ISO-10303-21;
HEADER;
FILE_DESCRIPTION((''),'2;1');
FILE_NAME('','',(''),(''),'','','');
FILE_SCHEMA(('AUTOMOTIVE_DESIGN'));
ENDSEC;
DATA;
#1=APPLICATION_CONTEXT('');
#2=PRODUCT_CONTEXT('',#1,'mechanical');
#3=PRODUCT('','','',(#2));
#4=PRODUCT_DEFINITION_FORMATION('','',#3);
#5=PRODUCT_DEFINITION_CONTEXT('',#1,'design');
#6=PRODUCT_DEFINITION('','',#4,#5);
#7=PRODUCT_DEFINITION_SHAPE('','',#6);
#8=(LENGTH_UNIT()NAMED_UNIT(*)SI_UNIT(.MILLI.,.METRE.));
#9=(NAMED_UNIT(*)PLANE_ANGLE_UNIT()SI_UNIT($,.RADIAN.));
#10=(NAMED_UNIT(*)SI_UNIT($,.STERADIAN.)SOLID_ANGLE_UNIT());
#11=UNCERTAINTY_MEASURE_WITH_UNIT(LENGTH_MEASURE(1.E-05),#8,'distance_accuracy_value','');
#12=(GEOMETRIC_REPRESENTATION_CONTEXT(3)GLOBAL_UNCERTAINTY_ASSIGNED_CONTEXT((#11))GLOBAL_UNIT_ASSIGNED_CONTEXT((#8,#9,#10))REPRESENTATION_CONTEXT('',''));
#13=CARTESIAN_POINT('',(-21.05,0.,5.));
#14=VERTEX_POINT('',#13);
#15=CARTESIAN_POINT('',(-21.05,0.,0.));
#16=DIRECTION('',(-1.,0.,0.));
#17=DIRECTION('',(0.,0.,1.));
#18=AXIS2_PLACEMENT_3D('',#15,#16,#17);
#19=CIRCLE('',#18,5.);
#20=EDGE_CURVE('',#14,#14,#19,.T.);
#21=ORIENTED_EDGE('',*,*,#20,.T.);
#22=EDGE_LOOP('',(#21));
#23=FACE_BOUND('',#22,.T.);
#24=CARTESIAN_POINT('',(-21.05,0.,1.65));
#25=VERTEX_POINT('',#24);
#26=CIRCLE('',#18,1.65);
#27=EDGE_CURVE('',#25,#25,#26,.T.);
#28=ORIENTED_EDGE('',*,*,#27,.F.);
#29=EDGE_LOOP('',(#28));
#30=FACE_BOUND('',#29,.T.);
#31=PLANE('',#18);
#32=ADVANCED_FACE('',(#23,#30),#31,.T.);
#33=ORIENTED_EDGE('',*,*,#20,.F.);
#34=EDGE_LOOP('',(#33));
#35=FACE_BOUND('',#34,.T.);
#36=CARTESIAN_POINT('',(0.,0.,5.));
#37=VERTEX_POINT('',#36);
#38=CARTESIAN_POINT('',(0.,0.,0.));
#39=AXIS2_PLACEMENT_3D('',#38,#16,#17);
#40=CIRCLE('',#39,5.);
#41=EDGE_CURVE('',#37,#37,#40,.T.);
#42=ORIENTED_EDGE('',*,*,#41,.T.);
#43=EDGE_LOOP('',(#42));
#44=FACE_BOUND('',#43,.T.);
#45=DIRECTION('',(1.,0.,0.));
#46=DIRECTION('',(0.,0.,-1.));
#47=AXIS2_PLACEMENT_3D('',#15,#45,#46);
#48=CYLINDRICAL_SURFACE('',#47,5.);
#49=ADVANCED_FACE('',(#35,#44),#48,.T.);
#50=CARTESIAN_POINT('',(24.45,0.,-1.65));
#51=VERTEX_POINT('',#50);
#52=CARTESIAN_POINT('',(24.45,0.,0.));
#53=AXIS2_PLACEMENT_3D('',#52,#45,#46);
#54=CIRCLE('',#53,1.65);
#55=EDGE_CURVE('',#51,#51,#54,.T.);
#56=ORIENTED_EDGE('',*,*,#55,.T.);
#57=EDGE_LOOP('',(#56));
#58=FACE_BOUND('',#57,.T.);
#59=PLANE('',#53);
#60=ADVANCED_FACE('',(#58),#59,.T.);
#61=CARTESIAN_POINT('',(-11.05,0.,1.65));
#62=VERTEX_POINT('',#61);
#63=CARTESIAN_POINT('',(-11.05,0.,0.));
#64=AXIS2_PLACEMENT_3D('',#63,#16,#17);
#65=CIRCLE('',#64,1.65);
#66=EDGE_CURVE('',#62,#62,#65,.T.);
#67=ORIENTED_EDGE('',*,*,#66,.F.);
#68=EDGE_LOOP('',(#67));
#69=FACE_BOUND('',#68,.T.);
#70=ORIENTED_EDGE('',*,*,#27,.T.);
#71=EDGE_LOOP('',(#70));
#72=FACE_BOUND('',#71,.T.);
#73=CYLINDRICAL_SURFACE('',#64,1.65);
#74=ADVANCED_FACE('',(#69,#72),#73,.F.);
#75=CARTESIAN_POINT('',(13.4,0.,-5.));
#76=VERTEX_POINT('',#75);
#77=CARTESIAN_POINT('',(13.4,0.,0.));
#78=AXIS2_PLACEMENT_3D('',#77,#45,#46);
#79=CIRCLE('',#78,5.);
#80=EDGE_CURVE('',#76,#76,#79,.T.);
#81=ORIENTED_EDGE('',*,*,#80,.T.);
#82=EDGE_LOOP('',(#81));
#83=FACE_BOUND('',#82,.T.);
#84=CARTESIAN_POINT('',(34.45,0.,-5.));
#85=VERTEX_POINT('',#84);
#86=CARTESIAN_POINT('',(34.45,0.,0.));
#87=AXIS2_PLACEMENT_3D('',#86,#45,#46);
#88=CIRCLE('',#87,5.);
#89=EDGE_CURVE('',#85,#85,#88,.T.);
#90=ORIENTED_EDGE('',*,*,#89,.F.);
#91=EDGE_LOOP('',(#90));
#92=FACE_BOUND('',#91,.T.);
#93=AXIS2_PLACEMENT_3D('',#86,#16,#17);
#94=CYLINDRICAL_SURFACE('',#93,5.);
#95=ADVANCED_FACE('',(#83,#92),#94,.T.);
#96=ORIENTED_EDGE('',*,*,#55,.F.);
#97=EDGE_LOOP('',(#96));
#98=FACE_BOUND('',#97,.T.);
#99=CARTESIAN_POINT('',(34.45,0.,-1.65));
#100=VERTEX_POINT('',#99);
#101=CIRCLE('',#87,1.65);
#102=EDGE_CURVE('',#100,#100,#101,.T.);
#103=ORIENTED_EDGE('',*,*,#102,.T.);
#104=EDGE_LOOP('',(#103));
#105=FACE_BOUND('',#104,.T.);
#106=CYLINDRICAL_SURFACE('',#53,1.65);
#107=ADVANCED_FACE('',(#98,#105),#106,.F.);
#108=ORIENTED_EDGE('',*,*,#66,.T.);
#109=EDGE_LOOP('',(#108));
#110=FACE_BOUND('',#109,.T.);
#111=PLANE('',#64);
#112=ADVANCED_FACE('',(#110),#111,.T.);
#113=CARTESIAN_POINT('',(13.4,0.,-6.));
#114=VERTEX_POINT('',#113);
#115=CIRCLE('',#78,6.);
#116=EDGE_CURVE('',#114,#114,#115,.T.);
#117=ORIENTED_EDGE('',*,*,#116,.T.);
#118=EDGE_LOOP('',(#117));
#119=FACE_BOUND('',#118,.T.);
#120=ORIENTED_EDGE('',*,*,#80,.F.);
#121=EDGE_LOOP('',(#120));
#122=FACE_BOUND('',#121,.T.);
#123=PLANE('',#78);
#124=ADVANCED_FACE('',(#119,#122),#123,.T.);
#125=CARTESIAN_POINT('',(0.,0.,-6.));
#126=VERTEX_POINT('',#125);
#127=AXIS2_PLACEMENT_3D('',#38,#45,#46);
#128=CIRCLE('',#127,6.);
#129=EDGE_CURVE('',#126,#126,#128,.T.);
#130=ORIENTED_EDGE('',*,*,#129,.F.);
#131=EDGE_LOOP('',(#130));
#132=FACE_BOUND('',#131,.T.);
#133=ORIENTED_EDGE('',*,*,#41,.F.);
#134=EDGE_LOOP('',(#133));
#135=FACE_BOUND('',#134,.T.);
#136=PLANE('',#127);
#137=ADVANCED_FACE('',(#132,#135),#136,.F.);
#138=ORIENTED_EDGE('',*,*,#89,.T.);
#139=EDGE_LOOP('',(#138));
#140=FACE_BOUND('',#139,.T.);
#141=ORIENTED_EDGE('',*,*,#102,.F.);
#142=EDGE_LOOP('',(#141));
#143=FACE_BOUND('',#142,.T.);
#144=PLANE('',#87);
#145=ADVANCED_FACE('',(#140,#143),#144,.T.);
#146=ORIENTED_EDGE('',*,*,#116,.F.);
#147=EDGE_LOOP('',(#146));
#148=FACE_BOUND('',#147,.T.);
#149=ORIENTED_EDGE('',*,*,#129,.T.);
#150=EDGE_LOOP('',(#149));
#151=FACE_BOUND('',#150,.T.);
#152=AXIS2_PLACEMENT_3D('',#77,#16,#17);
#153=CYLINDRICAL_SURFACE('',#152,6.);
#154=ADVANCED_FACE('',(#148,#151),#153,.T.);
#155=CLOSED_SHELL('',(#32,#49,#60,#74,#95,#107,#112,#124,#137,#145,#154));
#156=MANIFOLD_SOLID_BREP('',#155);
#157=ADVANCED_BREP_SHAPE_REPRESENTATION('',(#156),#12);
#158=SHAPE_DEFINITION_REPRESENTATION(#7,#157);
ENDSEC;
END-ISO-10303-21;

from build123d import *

# Parameters (mm, degrees)
SKETCH_1_R          = 6
EXTRUDE_1_DEPTH     = 13.4
SKETCH_2_R          = 5
EXTRUDE_2_DEPTH     = 21.05
EXTRUDE_START       = 21.05
SKETCH_3_R          = 5
EXTRUDE_3_DEPTH     = 21.05
SKETCH_4_R          = 1.65
CUT_EXTRUDE_1_DEPTH = 10
CUT_EXTRUDE_START   = -10
SKETCH_5_R          = 1.65
CUT_EXTRUDE_2_DEPTH = 10


with BuildPart() as part:
    # ｽｹｯﾁ1 → ﾎﾞｽ - 押し出し1 (new body)
    with BuildSketch(Plane(origin=(0, 0, 0), x_dir=(0, 0, -1), z_dir=(1, 0, 0))):
        Circle(SKETCH_1_R)
    extrude(amount=EXTRUDE_1_DEPTH)

    # ｽｹｯﾁ2 → ﾎﾞｽ - 押し出し2 (add)
    with BuildSketch(Plane(origin=(13.4, 0, 0), x_dir=(0, 0, -1), z_dir=(1, 0, 0))):
        Circle(SKETCH_2_R)
    extrude(amount=EXTRUDE_2_DEPTH)

    # ｽｹｯﾁ3 → ﾎﾞｽ - 押し出し3 (add)
    with BuildSketch(Plane.ZY.offset(EXTRUDE_START)):
        with Locations(Location((0, 0, 0), (0, 0, 180))):
            Circle(SKETCH_3_R)
    extrude(amount=-EXTRUDE_3_DEPTH)

    # ｽｹｯﾁ4 → ｶｯﾄ - 押し出し1 (cut)
    with BuildSketch(Plane(origin=(34.45, 0, 0), x_dir=(0, 0, -1), z_dir=(1, 0, 0))):
        Circle(SKETCH_4_R)
    extrude(amount=-CUT_EXTRUDE_1_DEPTH, mode=Mode.SUBTRACT)

    # ｽｹｯﾁ5 → ｶｯﾄ - 押し出し2 (cut)
    with BuildSketch(Plane.ZY.offset(21.05).offset(CUT_EXTRUDE_START)):
        with Locations(Location((0, 0, 0), (0, 0, 180))):
            Circle(SKETCH_5_R)
    extrude(amount=CUT_EXTRUDE_2_DEPTH, mode=Mode.SUBTRACT)


solid = part.part
